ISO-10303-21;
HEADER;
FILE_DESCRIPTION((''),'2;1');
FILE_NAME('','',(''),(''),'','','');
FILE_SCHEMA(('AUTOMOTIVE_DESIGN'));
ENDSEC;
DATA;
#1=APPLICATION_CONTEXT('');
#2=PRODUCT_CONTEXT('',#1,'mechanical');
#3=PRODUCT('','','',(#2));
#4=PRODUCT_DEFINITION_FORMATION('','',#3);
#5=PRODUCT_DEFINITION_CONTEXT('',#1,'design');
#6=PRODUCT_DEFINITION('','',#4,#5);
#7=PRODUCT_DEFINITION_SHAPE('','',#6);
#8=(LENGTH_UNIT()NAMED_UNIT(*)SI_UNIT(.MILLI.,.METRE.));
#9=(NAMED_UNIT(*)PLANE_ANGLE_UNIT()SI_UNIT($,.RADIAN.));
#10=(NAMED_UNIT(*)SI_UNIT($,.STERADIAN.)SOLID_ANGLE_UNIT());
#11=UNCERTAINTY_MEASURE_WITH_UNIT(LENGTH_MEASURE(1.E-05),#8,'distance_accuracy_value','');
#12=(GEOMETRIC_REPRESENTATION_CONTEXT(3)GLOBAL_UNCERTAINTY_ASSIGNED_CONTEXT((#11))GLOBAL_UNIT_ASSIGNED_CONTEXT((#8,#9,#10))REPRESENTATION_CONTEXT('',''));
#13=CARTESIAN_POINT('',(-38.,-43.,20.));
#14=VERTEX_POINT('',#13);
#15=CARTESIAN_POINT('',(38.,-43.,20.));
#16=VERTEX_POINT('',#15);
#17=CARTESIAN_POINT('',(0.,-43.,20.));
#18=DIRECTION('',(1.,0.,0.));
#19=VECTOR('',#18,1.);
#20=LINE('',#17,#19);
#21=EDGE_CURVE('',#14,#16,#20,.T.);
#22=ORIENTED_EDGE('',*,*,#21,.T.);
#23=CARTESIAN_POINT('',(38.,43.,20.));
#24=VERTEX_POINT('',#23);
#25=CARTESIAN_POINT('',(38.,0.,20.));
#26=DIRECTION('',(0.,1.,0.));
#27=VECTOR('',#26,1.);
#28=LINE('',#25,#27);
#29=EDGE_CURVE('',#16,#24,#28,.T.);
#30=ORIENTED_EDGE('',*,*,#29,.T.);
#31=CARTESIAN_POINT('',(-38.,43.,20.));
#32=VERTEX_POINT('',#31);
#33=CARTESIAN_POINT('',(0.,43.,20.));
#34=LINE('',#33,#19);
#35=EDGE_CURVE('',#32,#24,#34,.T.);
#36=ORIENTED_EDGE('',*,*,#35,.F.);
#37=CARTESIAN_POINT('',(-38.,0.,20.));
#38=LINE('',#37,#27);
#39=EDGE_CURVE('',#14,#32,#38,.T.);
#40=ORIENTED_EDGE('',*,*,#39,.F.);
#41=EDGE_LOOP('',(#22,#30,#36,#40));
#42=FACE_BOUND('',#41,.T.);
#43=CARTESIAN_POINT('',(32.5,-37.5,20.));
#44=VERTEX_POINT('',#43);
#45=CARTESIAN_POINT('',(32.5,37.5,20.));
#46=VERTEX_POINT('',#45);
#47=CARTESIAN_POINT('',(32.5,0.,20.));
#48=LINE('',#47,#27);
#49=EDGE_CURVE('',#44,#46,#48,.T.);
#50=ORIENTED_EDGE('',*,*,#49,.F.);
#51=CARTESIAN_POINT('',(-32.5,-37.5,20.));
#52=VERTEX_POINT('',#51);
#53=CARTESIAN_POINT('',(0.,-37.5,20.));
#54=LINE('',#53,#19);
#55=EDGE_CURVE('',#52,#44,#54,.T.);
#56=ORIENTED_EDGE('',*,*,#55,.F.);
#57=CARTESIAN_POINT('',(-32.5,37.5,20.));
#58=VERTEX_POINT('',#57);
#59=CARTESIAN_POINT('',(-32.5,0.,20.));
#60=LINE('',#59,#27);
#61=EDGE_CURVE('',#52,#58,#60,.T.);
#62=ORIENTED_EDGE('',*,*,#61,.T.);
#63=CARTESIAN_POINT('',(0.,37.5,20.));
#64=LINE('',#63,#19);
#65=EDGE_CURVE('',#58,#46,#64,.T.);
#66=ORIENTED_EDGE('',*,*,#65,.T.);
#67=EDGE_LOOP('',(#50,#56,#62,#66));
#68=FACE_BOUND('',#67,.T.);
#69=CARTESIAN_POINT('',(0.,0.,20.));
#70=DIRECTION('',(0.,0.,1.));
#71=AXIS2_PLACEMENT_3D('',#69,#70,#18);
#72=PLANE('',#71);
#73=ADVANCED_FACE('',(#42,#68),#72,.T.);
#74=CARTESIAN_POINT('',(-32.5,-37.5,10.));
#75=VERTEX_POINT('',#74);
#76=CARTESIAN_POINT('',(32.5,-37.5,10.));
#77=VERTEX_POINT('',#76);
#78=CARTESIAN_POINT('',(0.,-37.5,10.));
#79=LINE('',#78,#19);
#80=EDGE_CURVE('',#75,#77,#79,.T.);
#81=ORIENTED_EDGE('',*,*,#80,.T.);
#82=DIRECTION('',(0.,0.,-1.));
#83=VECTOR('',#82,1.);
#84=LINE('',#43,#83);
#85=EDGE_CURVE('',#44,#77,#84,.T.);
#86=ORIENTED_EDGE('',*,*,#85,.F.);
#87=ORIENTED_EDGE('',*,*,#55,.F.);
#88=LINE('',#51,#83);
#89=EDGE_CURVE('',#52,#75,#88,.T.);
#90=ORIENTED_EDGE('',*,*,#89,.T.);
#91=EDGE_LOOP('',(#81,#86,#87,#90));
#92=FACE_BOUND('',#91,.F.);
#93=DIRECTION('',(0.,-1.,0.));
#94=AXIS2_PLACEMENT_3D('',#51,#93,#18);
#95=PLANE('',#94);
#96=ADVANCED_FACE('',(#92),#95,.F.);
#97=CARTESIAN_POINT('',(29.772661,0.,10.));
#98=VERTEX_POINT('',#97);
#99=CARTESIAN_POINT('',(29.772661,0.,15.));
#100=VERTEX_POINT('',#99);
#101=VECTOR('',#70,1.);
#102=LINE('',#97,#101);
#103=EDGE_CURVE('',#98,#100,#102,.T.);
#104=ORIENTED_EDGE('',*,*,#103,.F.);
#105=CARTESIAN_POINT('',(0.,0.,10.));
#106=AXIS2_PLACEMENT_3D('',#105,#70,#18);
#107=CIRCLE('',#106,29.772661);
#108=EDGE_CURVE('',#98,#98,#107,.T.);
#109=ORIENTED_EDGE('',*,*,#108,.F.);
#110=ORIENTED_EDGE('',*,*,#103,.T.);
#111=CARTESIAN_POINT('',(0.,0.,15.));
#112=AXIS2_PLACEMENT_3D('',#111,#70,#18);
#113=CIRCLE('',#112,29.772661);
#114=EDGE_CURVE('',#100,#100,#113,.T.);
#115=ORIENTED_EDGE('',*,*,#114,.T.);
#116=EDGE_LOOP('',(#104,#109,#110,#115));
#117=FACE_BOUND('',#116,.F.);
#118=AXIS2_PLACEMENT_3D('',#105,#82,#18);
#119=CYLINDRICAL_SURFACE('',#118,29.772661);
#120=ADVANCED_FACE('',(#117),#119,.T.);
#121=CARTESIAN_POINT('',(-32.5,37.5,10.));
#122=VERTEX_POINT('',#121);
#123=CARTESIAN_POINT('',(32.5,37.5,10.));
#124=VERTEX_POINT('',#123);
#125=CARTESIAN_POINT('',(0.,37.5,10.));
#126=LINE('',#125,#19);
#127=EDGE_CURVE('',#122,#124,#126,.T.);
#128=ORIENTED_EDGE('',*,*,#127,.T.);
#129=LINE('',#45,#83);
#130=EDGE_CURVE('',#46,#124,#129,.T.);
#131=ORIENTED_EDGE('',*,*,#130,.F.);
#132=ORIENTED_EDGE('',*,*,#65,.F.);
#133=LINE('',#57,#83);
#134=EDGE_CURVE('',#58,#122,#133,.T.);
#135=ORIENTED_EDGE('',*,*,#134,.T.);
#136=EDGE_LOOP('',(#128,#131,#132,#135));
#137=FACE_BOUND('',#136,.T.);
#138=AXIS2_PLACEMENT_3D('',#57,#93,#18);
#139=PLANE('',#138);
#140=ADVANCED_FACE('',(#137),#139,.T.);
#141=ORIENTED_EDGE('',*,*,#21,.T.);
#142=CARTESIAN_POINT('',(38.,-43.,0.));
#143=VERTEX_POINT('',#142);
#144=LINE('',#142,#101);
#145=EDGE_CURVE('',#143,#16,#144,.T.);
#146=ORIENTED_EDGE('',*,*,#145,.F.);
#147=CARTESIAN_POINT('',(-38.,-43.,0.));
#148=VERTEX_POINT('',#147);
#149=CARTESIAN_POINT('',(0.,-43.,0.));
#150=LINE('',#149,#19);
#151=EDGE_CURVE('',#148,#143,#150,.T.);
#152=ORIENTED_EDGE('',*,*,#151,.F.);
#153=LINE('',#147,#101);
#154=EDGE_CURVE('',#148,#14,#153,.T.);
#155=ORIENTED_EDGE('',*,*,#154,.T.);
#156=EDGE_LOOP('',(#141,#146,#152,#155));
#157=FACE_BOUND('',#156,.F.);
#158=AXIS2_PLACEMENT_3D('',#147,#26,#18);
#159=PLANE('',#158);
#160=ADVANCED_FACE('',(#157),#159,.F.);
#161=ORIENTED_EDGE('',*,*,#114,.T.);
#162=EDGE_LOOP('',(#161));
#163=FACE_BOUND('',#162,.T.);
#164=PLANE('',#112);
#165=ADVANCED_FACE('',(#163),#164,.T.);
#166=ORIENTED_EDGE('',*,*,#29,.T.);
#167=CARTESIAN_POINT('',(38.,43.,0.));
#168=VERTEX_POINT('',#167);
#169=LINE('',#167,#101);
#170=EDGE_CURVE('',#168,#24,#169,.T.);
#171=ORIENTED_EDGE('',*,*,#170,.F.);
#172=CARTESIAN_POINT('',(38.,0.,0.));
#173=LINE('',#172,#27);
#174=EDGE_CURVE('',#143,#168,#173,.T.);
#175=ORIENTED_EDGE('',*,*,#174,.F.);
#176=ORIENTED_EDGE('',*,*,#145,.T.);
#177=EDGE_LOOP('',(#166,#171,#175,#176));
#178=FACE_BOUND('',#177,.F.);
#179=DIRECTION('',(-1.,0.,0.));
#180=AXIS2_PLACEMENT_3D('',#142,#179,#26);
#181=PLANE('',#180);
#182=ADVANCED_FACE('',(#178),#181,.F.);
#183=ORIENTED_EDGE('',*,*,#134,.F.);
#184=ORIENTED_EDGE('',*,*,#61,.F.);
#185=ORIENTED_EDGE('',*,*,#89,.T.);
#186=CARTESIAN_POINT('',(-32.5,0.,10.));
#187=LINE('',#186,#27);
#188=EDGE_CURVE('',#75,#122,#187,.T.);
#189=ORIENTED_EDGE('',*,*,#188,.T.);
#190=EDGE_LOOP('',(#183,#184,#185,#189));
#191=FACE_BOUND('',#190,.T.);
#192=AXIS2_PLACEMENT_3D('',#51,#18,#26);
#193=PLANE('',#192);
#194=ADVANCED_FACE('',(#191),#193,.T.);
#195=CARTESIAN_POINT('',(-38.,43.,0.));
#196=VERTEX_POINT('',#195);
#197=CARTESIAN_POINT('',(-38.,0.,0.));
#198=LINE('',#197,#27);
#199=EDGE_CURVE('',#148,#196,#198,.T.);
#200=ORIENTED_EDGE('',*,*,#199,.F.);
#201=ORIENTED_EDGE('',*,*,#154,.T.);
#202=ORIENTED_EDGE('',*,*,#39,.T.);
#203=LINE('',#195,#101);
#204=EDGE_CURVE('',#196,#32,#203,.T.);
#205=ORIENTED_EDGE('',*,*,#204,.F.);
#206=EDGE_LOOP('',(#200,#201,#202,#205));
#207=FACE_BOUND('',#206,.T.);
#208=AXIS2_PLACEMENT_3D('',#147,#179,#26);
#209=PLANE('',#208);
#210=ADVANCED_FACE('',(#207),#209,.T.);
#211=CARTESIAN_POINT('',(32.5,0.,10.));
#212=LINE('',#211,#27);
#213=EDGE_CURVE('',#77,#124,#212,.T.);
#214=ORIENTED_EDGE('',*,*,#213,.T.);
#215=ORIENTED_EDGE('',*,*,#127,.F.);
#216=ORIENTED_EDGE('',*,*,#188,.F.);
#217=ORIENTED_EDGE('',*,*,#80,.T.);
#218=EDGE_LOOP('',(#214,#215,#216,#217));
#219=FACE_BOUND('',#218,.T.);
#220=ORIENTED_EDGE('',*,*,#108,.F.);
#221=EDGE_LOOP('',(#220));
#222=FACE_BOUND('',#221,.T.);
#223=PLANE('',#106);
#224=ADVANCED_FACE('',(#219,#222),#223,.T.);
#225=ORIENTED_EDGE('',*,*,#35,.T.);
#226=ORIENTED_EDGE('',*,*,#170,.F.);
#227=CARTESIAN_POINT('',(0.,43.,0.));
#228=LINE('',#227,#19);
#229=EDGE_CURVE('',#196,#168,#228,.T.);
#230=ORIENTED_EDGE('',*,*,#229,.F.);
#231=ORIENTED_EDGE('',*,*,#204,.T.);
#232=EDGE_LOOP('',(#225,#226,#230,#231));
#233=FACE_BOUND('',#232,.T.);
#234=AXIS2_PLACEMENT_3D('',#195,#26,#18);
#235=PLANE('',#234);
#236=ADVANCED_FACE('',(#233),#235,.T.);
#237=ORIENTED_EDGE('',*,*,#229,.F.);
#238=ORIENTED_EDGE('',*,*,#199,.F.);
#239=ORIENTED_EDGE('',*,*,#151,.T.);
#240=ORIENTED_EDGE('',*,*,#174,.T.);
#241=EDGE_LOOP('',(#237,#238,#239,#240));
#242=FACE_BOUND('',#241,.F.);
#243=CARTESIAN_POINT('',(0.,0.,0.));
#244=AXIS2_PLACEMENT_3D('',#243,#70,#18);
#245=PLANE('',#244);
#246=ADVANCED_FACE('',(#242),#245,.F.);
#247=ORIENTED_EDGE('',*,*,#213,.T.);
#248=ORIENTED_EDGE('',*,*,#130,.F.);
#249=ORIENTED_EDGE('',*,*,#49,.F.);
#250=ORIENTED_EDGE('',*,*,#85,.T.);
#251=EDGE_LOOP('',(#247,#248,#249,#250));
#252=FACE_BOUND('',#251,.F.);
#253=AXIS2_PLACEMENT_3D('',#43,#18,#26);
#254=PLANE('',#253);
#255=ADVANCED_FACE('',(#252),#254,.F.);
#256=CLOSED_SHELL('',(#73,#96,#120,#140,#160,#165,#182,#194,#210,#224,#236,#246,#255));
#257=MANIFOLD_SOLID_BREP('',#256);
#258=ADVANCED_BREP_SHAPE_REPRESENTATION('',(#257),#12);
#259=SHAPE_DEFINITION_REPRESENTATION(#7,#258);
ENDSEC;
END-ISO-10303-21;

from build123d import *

# Parameters (mm, degrees)
F0_W     = 76
F0_H     = 86
F1_DEPTH = 20
F2_W     = 65
F2_H     = 75
F3_DEPTH = 10
F4_R     = 29.772661
F5_DEPTH = 5


with BuildPart() as f1:
    # F0 (on Top) → F1 (new body)
    with BuildSketch(Plane.XY):
        Rectangle(F0_W, F0_H)
    extrude(amount=F1_DEPTH)

    # F2 (on face) → F3 (cut)
    with BuildSketch(Plane.XY.offset(20)):
        Rectangle(F2_W, F2_H)
    extrude(amount=-F3_DEPTH, mode=Mode.SUBTRACT)

    # F4 (on face) → F5 (join)
    with BuildSketch(Plane.XY.offset(10)):
        Circle(F4_R)
    extrude(amount=F5_DEPTH)


solid = f1.part
